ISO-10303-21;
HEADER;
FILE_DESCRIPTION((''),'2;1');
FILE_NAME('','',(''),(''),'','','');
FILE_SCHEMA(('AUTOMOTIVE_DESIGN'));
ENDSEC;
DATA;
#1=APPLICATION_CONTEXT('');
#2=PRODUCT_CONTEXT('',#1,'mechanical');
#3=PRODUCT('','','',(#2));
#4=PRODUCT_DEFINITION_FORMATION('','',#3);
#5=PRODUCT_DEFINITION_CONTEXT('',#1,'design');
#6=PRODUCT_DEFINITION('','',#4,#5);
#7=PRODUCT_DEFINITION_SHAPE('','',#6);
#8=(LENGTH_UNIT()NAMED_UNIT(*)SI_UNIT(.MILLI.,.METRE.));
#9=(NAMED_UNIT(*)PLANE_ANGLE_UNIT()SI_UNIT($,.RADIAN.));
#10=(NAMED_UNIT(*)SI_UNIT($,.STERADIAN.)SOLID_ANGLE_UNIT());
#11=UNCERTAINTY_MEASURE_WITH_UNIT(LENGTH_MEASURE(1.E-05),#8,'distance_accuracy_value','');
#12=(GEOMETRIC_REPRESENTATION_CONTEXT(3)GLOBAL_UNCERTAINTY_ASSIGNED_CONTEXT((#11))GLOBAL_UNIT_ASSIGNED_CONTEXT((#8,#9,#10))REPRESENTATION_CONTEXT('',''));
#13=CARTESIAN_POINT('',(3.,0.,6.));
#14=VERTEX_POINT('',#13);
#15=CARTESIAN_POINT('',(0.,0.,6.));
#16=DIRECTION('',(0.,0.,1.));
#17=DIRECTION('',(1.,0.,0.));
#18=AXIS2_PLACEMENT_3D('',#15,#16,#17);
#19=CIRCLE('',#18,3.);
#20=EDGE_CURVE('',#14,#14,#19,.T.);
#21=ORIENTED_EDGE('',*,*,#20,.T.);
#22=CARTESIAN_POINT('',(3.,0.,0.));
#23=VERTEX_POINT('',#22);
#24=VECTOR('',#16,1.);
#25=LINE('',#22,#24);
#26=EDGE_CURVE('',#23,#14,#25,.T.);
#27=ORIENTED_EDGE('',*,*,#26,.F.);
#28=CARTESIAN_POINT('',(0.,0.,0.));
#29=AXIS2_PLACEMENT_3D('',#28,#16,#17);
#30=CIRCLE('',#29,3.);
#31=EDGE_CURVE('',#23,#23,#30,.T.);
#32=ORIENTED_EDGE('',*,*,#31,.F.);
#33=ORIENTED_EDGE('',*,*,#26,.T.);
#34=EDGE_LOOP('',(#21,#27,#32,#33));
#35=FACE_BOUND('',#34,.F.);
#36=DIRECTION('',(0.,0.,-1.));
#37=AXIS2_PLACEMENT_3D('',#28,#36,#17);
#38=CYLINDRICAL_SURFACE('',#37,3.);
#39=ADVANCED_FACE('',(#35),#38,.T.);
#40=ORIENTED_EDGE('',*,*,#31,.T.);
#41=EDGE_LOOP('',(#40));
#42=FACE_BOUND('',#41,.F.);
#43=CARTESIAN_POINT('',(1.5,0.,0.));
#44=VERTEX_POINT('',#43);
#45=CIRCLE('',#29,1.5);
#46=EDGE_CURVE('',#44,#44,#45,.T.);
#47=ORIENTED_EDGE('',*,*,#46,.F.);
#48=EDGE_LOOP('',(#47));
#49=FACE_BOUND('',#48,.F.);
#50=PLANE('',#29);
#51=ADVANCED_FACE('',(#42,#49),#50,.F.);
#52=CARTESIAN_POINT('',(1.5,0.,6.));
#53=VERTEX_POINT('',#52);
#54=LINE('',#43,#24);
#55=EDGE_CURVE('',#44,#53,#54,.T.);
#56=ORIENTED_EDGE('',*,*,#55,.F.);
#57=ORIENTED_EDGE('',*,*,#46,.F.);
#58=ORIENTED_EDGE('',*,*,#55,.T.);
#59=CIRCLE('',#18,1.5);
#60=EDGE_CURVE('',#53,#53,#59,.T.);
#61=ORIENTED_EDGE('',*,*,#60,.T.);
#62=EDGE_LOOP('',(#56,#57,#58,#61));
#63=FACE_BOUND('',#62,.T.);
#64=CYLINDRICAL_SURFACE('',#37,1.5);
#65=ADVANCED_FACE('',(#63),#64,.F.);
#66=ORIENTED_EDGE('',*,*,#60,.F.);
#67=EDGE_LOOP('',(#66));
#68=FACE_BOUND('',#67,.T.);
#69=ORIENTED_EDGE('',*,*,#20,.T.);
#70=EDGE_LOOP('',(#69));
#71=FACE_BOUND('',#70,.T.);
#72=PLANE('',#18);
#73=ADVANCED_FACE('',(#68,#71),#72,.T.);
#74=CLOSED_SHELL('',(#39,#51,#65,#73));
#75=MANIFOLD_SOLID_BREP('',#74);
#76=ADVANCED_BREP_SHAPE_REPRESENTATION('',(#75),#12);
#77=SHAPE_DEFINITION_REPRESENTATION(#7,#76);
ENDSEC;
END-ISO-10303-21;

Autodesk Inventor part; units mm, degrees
ref_plane "YZ Plane" through (0, 0, 0) normal (1, 0, 0) x (0, 1, 0)
ref_plane "XZ Plane" through (0, 0, 0) normal (0, 1, 0) x (-1, 0, 0)
ref_plane "XY Plane" through (0, 0, 0) normal (0, 0, 1) x (1, 0, 0)
sketch "スケッチ1" plane through (0, 0, 0) normal (0, 0, 1) x (1, 0, 0)
  circle A0 centre (0, 0) radius 3
  circle A1 centre (0, 0) radius 1.5
  dimension "d0" = 6
  dimension "d1" = 3
extrude "押し出し1" add sketch "スケッチ1" along normal blind 6
properties part number "スペーサーm3-6　簡易筒型" material "アルミニウム 2014-T4"
